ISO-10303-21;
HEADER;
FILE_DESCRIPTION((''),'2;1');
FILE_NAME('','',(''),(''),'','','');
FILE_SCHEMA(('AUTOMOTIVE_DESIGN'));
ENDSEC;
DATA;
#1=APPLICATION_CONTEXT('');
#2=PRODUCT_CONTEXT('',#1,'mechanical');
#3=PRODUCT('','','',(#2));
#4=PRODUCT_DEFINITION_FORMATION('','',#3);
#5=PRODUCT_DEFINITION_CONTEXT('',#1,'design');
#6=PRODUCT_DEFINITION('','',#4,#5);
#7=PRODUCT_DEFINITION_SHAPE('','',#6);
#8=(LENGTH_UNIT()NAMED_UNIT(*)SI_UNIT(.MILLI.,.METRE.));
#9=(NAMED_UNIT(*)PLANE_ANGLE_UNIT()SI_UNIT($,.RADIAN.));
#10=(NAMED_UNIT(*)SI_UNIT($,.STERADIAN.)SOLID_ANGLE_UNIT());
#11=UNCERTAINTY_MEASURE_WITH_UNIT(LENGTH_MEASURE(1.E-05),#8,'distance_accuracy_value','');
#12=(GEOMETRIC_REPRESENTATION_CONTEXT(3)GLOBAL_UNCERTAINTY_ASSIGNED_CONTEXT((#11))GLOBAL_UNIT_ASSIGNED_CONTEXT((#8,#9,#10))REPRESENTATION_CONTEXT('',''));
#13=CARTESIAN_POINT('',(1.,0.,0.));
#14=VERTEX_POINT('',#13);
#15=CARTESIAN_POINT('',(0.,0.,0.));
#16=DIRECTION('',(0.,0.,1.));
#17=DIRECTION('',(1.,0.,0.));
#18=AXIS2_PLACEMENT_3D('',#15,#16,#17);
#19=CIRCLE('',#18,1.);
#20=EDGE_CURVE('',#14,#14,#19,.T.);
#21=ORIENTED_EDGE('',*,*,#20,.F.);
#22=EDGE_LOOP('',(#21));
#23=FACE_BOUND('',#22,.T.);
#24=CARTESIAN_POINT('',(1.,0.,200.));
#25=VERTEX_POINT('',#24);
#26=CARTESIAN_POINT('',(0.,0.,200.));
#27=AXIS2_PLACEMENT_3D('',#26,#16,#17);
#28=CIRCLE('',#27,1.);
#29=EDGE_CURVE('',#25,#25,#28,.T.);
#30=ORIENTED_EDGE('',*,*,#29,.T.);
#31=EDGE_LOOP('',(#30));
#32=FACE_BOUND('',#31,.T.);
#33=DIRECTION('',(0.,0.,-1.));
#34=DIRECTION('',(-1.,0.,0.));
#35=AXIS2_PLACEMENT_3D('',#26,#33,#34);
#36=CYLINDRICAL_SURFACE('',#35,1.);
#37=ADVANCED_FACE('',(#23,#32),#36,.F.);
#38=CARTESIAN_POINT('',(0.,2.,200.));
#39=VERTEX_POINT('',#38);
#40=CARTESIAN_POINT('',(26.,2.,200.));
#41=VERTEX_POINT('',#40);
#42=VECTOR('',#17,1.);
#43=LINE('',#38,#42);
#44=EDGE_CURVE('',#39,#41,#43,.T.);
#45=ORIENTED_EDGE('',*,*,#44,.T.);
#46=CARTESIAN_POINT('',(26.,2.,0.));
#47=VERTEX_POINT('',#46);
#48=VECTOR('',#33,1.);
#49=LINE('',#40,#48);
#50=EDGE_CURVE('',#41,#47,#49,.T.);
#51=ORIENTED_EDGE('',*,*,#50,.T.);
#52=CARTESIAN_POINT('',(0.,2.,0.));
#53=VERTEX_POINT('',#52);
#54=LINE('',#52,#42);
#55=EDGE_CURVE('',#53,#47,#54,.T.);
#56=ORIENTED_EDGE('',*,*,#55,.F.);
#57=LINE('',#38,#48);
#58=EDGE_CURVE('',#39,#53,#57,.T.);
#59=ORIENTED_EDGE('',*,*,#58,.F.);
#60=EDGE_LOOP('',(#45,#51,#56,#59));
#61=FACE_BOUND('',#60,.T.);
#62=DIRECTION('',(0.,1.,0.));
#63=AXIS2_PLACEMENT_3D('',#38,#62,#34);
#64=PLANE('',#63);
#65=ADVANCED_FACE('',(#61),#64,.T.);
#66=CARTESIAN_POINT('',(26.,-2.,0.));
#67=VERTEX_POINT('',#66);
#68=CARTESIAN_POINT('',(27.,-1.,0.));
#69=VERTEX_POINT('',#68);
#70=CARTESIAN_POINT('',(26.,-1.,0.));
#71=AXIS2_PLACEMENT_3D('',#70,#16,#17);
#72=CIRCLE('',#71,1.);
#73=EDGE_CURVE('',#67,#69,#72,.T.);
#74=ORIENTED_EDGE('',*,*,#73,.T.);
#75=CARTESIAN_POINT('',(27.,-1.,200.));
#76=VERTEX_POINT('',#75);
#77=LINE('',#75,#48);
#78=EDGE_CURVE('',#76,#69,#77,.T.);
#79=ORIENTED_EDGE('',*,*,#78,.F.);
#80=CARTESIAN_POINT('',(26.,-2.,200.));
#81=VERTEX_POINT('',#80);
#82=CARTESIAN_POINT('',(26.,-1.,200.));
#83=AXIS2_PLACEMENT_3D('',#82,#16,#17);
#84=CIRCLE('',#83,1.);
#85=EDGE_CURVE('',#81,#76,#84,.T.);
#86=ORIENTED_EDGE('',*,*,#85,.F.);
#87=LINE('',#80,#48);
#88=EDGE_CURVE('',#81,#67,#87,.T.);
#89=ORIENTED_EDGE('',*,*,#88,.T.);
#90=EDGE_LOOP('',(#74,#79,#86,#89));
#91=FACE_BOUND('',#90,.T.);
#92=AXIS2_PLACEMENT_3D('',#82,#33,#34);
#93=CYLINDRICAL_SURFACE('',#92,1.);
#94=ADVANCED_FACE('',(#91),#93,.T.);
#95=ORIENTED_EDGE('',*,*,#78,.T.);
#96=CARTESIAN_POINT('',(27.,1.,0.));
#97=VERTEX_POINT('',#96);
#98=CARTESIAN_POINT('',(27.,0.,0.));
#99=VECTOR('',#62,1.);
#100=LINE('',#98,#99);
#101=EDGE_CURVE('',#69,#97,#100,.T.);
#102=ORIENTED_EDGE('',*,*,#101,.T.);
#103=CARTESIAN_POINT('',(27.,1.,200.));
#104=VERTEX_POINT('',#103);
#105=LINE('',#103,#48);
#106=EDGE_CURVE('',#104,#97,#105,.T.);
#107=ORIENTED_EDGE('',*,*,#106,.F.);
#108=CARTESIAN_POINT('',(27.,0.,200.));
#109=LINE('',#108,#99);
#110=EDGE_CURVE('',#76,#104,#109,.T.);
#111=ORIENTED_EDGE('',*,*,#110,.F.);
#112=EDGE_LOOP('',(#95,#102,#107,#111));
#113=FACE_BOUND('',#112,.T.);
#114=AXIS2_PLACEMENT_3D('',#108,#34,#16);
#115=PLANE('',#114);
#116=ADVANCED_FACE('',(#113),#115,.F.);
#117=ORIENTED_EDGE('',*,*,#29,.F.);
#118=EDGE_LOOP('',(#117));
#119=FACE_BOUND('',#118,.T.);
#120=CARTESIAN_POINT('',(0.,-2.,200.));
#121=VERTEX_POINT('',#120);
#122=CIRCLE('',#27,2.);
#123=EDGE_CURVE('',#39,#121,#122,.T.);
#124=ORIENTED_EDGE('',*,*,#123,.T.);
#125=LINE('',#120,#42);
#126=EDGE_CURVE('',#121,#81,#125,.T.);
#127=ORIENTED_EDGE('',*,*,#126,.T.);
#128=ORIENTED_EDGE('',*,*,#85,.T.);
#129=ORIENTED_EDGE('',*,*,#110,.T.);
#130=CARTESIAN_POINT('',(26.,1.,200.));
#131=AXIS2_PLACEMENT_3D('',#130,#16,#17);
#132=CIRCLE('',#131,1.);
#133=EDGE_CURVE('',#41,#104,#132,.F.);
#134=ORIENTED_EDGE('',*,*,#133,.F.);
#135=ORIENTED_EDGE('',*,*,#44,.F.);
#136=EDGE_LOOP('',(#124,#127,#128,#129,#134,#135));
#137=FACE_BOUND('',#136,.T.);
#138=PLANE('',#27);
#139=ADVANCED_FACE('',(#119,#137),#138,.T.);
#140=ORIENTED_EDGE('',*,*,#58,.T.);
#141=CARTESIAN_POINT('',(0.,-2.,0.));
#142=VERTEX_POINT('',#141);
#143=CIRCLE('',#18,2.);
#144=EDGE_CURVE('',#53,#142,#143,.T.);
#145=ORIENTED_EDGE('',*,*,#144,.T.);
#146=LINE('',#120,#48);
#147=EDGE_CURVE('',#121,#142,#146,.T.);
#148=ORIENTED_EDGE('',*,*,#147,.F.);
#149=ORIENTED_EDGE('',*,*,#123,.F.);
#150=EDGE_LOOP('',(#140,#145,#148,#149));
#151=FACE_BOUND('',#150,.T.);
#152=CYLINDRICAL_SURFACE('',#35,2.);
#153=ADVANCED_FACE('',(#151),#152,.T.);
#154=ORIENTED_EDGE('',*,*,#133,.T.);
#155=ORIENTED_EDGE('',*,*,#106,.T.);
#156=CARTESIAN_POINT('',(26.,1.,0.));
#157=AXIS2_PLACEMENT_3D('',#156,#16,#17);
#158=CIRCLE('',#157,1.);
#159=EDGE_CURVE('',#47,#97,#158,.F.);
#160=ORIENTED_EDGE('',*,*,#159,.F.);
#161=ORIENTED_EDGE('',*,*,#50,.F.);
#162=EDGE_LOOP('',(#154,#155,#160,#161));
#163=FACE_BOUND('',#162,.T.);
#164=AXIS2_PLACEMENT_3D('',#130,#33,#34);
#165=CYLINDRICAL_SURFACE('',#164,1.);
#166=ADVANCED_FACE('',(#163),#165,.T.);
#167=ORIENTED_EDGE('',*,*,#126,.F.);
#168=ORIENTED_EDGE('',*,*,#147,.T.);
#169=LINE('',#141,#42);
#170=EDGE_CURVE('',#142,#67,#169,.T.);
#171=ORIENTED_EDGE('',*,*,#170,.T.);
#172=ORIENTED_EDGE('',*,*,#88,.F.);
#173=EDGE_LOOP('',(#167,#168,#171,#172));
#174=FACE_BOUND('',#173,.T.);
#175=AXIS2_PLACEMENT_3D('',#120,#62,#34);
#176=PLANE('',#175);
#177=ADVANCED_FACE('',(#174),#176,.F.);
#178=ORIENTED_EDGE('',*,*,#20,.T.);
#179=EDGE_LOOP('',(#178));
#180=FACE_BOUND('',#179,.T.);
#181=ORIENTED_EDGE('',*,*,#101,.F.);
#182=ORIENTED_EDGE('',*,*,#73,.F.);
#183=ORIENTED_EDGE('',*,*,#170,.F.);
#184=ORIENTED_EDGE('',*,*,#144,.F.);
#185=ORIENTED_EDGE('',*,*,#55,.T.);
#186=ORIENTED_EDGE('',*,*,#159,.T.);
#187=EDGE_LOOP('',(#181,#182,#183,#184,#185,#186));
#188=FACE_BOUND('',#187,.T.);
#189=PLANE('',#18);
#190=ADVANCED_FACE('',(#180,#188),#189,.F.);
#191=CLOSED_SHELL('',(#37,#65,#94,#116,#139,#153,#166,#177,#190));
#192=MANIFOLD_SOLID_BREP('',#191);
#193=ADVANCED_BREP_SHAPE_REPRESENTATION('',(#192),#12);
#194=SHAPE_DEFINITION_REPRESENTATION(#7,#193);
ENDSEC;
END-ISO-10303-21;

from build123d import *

# Parameters (mm, degrees)
EXTRUDE_1_DEPTH = 200


with BuildPart() as part:
    # 草图1 → 凸台-拉伸1 (new body)
    with BuildSketch(Plane.XY):
        with BuildLine():
            ThreePointArc((0, 2), (-2, 0), (0, -2))
            Line((0, -2), (0, -1))
            ThreePointArc((0, -1), (-1, 0), (0, 1))
            Line((0, 1), (0, 2))
        make_face()
        with BuildLine():
            Line((0, -1), (0, -2))
            ThreePointArc((0, -2), (1.414213562, -1.414213562), (2, 0))
            ThreePointArc((2, 0), (1.414213562, 1.414213562), (0, 2))
            Line((0, 2), (0, 1))
            ThreePointArc((0, 1), (0.707106781, 0.707106781), (1, 0))
            ThreePointArc((1, 0), (0.707106781, -0.707106781), (0, -1))
        make_face()
        with BuildLine():
            ThreePointArc((2, 0), (1.414213562, -1.414213562), (0, -2))
            Line((0, -2), (26, -2))
            ThreePointArc((26, -2), (26.707106781, -1.707106781), (27, -1))
            Line((27, -1), (27, 1))
            ThreePointArc((27, 1), (26.707106781, 1.707106781), (26, 2))
            Line((26, 2), (0, 2))
            ThreePointArc((0, 2), (1.414213562, 1.414213562), (2, 0))
        make_face()
    extrude(amount=EXTRUDE_1_DEPTH)


solid = part.part
